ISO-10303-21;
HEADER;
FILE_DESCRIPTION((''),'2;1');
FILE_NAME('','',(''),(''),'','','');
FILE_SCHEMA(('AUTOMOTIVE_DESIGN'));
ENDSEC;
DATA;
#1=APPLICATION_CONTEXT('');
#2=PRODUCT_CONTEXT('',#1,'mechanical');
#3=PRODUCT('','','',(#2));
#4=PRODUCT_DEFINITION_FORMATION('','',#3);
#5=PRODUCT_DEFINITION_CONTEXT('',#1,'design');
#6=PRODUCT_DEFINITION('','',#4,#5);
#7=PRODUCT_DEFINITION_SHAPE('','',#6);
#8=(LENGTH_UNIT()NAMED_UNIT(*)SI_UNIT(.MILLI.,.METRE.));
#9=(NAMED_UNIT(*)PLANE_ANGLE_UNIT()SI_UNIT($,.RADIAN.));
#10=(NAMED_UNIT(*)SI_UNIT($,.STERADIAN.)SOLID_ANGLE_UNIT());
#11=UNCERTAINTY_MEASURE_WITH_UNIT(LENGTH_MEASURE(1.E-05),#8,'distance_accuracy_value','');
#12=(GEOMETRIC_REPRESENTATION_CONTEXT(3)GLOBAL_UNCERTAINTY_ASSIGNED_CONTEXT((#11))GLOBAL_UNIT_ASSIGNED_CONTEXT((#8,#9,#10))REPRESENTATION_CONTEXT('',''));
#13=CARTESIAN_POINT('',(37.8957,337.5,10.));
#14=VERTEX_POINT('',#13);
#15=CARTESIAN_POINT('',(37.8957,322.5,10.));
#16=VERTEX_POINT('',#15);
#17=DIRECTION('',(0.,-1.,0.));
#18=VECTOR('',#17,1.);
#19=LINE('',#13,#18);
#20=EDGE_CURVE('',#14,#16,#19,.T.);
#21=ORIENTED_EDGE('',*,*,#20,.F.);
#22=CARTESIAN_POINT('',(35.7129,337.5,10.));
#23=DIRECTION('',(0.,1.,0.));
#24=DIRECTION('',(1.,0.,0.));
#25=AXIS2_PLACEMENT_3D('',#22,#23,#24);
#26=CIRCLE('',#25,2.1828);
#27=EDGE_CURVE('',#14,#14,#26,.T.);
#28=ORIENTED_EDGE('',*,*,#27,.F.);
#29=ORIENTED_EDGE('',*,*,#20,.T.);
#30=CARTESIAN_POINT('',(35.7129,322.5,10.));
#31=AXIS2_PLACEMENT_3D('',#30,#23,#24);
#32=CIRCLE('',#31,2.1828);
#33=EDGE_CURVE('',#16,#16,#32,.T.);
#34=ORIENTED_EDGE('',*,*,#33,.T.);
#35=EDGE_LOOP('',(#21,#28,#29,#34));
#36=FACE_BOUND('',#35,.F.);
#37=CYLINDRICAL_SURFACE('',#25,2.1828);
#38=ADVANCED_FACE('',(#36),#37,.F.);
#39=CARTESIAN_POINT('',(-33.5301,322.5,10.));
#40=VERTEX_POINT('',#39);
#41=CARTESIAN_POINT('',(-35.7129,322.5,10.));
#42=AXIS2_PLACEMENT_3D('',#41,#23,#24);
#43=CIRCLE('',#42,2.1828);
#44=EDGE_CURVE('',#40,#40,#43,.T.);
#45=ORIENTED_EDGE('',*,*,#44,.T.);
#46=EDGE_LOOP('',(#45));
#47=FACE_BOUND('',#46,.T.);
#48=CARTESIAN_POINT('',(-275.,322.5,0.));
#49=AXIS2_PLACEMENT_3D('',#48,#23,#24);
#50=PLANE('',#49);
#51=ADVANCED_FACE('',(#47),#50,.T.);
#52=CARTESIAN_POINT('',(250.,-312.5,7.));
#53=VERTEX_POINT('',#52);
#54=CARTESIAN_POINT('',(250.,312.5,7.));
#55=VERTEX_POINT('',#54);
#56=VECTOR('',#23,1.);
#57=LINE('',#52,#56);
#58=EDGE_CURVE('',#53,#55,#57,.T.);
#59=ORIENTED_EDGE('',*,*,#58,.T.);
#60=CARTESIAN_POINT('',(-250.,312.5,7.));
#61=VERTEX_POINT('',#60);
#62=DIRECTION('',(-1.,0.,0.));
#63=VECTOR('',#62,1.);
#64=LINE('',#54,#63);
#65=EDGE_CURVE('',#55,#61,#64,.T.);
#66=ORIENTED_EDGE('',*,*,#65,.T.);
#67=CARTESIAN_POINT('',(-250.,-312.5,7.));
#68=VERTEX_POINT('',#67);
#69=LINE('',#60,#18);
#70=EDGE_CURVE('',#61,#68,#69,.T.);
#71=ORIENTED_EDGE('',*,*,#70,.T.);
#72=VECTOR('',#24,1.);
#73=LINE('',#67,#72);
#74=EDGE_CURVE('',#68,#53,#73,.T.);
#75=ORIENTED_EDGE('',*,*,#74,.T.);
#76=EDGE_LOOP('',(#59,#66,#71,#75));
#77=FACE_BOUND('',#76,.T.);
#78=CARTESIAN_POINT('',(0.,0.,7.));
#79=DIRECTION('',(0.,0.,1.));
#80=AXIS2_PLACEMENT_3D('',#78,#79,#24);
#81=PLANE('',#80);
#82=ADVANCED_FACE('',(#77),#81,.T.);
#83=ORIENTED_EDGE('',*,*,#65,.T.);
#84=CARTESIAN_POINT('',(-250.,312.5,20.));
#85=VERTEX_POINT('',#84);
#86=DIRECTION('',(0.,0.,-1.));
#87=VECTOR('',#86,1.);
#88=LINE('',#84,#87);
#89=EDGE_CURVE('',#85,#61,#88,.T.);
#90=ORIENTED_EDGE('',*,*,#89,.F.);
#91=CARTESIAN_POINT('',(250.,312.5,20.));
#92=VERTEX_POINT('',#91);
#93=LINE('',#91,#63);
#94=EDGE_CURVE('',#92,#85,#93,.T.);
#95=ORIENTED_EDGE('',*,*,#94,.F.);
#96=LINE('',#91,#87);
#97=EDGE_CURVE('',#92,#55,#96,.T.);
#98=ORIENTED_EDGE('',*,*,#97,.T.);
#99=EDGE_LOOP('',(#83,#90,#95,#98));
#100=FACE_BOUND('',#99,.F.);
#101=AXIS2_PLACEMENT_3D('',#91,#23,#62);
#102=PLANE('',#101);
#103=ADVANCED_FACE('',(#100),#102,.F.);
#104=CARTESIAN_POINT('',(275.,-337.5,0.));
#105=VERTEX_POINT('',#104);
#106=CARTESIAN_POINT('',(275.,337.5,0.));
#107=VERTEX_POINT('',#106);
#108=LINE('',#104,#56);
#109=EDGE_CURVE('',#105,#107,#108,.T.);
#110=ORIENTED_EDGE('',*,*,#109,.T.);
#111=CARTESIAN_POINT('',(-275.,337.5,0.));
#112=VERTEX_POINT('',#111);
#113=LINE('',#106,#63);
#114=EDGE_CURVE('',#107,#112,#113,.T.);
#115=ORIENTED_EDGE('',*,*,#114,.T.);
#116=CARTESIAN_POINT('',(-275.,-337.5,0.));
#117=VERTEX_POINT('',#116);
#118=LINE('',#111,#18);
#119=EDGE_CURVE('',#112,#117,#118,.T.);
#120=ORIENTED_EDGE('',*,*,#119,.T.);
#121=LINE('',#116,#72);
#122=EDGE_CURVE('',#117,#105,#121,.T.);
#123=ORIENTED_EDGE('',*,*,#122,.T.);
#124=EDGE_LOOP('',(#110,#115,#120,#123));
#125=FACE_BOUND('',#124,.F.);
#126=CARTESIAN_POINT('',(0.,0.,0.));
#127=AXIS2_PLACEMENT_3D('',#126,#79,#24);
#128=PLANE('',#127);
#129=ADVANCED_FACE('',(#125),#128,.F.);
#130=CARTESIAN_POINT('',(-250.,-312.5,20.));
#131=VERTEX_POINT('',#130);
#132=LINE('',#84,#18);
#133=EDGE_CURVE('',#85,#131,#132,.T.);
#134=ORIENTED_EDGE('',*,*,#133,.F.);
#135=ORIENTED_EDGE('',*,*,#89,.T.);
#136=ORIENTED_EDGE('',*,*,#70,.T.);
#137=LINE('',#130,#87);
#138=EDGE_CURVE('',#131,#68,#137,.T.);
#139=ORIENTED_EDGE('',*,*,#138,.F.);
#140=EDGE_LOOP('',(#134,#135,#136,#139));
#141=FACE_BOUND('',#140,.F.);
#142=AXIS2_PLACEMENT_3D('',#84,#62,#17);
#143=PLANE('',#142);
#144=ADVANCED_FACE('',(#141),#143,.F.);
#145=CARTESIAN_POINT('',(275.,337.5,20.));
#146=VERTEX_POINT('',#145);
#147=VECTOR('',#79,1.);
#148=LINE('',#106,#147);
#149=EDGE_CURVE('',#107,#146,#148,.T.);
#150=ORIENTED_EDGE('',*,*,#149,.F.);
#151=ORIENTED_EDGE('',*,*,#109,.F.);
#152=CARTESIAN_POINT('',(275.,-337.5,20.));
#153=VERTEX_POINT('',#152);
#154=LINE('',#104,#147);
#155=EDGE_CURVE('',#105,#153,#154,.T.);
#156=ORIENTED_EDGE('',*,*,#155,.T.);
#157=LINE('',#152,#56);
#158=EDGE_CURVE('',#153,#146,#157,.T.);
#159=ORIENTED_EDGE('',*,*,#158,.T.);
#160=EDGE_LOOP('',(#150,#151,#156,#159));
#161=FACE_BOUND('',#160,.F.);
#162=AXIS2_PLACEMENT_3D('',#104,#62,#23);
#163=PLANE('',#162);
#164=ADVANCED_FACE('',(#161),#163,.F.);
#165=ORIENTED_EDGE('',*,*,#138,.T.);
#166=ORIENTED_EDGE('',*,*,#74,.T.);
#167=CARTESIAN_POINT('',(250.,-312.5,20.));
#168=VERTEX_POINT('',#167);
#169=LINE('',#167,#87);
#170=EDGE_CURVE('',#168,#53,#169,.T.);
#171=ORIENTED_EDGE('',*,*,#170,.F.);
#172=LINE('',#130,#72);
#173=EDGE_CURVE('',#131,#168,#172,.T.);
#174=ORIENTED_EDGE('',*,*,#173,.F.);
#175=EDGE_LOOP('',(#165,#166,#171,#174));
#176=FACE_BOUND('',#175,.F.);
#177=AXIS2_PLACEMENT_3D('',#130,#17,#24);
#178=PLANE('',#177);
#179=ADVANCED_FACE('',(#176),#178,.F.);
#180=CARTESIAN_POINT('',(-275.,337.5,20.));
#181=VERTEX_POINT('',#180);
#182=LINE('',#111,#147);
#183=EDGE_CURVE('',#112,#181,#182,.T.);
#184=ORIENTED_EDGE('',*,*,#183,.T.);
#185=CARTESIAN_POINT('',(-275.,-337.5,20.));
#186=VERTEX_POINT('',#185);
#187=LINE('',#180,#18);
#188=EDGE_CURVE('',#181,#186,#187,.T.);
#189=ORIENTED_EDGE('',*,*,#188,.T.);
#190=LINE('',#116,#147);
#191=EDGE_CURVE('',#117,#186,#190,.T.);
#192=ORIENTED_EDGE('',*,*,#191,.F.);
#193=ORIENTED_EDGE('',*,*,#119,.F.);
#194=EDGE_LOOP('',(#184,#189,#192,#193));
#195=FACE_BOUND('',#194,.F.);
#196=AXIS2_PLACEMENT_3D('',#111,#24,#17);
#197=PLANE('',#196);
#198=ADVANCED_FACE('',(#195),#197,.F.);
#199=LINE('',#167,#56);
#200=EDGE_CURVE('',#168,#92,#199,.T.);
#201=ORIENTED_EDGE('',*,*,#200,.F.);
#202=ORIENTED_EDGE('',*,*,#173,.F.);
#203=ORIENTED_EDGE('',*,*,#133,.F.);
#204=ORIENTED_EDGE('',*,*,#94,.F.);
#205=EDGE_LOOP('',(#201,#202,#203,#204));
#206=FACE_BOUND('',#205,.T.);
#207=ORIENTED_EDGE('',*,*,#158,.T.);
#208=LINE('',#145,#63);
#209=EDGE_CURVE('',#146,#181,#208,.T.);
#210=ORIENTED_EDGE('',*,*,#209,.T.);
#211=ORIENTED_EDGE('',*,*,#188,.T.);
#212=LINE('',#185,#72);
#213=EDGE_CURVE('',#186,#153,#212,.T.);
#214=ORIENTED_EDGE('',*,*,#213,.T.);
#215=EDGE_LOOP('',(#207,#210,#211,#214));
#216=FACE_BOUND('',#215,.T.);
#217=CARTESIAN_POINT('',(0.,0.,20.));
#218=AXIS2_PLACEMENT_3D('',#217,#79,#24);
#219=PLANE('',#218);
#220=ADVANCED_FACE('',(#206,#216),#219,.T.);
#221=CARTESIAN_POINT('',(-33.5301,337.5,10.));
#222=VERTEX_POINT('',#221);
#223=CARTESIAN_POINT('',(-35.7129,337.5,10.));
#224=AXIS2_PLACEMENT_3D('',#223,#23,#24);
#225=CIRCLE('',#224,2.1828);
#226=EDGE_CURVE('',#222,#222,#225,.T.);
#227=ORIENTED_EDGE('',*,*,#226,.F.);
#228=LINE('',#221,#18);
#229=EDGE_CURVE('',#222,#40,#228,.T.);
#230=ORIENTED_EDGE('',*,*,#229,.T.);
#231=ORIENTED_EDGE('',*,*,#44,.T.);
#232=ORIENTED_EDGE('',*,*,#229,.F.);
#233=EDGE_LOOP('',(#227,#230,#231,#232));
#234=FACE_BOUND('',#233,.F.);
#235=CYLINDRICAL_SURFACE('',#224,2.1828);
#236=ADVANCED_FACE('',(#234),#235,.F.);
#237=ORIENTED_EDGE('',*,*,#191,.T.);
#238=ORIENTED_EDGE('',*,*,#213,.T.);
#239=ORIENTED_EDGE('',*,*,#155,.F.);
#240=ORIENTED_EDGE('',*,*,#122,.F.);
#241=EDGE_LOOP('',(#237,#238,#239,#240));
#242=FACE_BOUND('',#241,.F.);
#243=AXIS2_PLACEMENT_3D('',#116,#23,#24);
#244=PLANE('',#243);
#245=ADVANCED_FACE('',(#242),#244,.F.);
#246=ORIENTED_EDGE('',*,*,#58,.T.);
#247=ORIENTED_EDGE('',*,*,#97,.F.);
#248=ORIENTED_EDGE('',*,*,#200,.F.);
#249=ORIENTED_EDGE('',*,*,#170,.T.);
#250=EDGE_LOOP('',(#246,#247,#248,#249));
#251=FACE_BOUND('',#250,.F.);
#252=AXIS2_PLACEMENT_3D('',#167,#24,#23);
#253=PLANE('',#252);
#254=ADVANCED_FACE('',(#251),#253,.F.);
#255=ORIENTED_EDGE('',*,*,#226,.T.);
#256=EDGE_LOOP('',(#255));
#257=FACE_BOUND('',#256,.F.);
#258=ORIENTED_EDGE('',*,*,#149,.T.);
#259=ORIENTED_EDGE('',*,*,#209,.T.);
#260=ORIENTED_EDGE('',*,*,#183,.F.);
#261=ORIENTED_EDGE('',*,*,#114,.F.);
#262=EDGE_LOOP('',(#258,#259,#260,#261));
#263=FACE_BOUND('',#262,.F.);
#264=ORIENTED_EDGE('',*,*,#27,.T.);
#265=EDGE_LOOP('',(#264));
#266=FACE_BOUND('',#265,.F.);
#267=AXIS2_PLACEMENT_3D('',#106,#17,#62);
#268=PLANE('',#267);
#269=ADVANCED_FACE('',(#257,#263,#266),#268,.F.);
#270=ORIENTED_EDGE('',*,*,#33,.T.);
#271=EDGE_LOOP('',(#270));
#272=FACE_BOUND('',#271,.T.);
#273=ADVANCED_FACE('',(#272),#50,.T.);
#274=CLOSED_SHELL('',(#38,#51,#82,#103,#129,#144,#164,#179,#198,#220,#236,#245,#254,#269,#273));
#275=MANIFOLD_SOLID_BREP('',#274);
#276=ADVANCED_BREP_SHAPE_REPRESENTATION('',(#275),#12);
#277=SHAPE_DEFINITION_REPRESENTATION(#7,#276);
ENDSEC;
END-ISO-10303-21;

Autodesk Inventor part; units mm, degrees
ref_plane "YZ Plane" through (0, 0, 0) normal (1, 0, 0) x (0, 1, 0)
ref_plane "XZ Plane" through (0, 0, 0) normal (0, 1, 0) x (-1, 0, 0)
ref_plane "XY Plane" through (0, 0, 0) normal (0, 0, 1) x (1, 0, 0)
sketch "Sketch1" plane through (0, 0, 0) normal (0, 0, 1) x (1, 0, 0)
  line L0 (-275, -337.5) -> (275, -337.5)
  line L1 (275, -337.5) -> (275, 337.5)
  line L2 (275, 337.5) -> (-275, 337.5)
  line L3 (-275, 337.5) -> (-275, -337.5)
  line L4 (-275, -337.5) -> (275, 337.5) construction
  line L5 (275, -337.5) -> (-275, 337.5) construction
  point P0 (0, 0)
  dimension "d0" = 550
  dimension "d1" = 675
extrude "Extrusion1" add sketch "Sketch1" along normal blind 20
sketch "Sketch2" plane through (0, 0, 20) normal (0, 0, 1) x (1, 0, 0)
  line L0 (-250, -312.5) -> (250, -312.5)
  line L1 (250, -312.5) -> (250, 312.5)
  line L2 (250, 312.5) -> (-250, 312.5)
  line L3 (-250, 312.5) -> (-250, -312.5)
  line L4 (-250, -312.5) -> (250, 312.5) construction
  line L5 (250, -312.5) -> (-250, 312.5) construction
  point P0 (0, 0)
  dimension "d4" = 500
  dimension "d5" = 625
extrude "Extrusion2" cut sketch "Sketch2" against normal blind 13
sketch "Sketch3" plane through (-275, 337.5, 0) normal (0, 1, 0) x (1, 0, 0)
  line L0 (550, 0) -> (550, -20) projected
  line L1 (0, 0) -> (0, -20) projected
  line L2 (0, 0) -> (0, -20) projected
  line L3 (0, -10) -> (230.6764, -10)
  line L4 (525, -7) -> (25, -7) projected
  line L5 (0, -10) -> (230.6764, -10) construction
  line L6 (319.3236, 0) -> (230.6764, 0)
  line L7 (230.6764, 0) -> (230.6764, -20)
  line L8 (230.6764, -20) -> (319.3236, -20)
  line L9 (319.3236, -20) -> (319.3236, 0)
  line L10 (319.3236, 0) -> (230.6764, -20) construction
  line L11 (230.6764, 0) -> (319.3236, -20) construction
  circle A0 centre (239.2871, -10) radius 2.1828
  line L12 (275, 0) -> (275, -20)
  circle A1 centre (310.7129, -10) radius 2.1828
  point P0 (275, -10)
  dimension "d8" = 550
  dimension "d9" = 230.6764
  dimension "d10" = 0
  dimension "d11" = 4.3656
  dimension "d12" = 8.6106
extrude "Extrusion3" cut sketch "Sketch3" against normal blind 15 contours A0 | A1
properties part number "WoodFrame"
